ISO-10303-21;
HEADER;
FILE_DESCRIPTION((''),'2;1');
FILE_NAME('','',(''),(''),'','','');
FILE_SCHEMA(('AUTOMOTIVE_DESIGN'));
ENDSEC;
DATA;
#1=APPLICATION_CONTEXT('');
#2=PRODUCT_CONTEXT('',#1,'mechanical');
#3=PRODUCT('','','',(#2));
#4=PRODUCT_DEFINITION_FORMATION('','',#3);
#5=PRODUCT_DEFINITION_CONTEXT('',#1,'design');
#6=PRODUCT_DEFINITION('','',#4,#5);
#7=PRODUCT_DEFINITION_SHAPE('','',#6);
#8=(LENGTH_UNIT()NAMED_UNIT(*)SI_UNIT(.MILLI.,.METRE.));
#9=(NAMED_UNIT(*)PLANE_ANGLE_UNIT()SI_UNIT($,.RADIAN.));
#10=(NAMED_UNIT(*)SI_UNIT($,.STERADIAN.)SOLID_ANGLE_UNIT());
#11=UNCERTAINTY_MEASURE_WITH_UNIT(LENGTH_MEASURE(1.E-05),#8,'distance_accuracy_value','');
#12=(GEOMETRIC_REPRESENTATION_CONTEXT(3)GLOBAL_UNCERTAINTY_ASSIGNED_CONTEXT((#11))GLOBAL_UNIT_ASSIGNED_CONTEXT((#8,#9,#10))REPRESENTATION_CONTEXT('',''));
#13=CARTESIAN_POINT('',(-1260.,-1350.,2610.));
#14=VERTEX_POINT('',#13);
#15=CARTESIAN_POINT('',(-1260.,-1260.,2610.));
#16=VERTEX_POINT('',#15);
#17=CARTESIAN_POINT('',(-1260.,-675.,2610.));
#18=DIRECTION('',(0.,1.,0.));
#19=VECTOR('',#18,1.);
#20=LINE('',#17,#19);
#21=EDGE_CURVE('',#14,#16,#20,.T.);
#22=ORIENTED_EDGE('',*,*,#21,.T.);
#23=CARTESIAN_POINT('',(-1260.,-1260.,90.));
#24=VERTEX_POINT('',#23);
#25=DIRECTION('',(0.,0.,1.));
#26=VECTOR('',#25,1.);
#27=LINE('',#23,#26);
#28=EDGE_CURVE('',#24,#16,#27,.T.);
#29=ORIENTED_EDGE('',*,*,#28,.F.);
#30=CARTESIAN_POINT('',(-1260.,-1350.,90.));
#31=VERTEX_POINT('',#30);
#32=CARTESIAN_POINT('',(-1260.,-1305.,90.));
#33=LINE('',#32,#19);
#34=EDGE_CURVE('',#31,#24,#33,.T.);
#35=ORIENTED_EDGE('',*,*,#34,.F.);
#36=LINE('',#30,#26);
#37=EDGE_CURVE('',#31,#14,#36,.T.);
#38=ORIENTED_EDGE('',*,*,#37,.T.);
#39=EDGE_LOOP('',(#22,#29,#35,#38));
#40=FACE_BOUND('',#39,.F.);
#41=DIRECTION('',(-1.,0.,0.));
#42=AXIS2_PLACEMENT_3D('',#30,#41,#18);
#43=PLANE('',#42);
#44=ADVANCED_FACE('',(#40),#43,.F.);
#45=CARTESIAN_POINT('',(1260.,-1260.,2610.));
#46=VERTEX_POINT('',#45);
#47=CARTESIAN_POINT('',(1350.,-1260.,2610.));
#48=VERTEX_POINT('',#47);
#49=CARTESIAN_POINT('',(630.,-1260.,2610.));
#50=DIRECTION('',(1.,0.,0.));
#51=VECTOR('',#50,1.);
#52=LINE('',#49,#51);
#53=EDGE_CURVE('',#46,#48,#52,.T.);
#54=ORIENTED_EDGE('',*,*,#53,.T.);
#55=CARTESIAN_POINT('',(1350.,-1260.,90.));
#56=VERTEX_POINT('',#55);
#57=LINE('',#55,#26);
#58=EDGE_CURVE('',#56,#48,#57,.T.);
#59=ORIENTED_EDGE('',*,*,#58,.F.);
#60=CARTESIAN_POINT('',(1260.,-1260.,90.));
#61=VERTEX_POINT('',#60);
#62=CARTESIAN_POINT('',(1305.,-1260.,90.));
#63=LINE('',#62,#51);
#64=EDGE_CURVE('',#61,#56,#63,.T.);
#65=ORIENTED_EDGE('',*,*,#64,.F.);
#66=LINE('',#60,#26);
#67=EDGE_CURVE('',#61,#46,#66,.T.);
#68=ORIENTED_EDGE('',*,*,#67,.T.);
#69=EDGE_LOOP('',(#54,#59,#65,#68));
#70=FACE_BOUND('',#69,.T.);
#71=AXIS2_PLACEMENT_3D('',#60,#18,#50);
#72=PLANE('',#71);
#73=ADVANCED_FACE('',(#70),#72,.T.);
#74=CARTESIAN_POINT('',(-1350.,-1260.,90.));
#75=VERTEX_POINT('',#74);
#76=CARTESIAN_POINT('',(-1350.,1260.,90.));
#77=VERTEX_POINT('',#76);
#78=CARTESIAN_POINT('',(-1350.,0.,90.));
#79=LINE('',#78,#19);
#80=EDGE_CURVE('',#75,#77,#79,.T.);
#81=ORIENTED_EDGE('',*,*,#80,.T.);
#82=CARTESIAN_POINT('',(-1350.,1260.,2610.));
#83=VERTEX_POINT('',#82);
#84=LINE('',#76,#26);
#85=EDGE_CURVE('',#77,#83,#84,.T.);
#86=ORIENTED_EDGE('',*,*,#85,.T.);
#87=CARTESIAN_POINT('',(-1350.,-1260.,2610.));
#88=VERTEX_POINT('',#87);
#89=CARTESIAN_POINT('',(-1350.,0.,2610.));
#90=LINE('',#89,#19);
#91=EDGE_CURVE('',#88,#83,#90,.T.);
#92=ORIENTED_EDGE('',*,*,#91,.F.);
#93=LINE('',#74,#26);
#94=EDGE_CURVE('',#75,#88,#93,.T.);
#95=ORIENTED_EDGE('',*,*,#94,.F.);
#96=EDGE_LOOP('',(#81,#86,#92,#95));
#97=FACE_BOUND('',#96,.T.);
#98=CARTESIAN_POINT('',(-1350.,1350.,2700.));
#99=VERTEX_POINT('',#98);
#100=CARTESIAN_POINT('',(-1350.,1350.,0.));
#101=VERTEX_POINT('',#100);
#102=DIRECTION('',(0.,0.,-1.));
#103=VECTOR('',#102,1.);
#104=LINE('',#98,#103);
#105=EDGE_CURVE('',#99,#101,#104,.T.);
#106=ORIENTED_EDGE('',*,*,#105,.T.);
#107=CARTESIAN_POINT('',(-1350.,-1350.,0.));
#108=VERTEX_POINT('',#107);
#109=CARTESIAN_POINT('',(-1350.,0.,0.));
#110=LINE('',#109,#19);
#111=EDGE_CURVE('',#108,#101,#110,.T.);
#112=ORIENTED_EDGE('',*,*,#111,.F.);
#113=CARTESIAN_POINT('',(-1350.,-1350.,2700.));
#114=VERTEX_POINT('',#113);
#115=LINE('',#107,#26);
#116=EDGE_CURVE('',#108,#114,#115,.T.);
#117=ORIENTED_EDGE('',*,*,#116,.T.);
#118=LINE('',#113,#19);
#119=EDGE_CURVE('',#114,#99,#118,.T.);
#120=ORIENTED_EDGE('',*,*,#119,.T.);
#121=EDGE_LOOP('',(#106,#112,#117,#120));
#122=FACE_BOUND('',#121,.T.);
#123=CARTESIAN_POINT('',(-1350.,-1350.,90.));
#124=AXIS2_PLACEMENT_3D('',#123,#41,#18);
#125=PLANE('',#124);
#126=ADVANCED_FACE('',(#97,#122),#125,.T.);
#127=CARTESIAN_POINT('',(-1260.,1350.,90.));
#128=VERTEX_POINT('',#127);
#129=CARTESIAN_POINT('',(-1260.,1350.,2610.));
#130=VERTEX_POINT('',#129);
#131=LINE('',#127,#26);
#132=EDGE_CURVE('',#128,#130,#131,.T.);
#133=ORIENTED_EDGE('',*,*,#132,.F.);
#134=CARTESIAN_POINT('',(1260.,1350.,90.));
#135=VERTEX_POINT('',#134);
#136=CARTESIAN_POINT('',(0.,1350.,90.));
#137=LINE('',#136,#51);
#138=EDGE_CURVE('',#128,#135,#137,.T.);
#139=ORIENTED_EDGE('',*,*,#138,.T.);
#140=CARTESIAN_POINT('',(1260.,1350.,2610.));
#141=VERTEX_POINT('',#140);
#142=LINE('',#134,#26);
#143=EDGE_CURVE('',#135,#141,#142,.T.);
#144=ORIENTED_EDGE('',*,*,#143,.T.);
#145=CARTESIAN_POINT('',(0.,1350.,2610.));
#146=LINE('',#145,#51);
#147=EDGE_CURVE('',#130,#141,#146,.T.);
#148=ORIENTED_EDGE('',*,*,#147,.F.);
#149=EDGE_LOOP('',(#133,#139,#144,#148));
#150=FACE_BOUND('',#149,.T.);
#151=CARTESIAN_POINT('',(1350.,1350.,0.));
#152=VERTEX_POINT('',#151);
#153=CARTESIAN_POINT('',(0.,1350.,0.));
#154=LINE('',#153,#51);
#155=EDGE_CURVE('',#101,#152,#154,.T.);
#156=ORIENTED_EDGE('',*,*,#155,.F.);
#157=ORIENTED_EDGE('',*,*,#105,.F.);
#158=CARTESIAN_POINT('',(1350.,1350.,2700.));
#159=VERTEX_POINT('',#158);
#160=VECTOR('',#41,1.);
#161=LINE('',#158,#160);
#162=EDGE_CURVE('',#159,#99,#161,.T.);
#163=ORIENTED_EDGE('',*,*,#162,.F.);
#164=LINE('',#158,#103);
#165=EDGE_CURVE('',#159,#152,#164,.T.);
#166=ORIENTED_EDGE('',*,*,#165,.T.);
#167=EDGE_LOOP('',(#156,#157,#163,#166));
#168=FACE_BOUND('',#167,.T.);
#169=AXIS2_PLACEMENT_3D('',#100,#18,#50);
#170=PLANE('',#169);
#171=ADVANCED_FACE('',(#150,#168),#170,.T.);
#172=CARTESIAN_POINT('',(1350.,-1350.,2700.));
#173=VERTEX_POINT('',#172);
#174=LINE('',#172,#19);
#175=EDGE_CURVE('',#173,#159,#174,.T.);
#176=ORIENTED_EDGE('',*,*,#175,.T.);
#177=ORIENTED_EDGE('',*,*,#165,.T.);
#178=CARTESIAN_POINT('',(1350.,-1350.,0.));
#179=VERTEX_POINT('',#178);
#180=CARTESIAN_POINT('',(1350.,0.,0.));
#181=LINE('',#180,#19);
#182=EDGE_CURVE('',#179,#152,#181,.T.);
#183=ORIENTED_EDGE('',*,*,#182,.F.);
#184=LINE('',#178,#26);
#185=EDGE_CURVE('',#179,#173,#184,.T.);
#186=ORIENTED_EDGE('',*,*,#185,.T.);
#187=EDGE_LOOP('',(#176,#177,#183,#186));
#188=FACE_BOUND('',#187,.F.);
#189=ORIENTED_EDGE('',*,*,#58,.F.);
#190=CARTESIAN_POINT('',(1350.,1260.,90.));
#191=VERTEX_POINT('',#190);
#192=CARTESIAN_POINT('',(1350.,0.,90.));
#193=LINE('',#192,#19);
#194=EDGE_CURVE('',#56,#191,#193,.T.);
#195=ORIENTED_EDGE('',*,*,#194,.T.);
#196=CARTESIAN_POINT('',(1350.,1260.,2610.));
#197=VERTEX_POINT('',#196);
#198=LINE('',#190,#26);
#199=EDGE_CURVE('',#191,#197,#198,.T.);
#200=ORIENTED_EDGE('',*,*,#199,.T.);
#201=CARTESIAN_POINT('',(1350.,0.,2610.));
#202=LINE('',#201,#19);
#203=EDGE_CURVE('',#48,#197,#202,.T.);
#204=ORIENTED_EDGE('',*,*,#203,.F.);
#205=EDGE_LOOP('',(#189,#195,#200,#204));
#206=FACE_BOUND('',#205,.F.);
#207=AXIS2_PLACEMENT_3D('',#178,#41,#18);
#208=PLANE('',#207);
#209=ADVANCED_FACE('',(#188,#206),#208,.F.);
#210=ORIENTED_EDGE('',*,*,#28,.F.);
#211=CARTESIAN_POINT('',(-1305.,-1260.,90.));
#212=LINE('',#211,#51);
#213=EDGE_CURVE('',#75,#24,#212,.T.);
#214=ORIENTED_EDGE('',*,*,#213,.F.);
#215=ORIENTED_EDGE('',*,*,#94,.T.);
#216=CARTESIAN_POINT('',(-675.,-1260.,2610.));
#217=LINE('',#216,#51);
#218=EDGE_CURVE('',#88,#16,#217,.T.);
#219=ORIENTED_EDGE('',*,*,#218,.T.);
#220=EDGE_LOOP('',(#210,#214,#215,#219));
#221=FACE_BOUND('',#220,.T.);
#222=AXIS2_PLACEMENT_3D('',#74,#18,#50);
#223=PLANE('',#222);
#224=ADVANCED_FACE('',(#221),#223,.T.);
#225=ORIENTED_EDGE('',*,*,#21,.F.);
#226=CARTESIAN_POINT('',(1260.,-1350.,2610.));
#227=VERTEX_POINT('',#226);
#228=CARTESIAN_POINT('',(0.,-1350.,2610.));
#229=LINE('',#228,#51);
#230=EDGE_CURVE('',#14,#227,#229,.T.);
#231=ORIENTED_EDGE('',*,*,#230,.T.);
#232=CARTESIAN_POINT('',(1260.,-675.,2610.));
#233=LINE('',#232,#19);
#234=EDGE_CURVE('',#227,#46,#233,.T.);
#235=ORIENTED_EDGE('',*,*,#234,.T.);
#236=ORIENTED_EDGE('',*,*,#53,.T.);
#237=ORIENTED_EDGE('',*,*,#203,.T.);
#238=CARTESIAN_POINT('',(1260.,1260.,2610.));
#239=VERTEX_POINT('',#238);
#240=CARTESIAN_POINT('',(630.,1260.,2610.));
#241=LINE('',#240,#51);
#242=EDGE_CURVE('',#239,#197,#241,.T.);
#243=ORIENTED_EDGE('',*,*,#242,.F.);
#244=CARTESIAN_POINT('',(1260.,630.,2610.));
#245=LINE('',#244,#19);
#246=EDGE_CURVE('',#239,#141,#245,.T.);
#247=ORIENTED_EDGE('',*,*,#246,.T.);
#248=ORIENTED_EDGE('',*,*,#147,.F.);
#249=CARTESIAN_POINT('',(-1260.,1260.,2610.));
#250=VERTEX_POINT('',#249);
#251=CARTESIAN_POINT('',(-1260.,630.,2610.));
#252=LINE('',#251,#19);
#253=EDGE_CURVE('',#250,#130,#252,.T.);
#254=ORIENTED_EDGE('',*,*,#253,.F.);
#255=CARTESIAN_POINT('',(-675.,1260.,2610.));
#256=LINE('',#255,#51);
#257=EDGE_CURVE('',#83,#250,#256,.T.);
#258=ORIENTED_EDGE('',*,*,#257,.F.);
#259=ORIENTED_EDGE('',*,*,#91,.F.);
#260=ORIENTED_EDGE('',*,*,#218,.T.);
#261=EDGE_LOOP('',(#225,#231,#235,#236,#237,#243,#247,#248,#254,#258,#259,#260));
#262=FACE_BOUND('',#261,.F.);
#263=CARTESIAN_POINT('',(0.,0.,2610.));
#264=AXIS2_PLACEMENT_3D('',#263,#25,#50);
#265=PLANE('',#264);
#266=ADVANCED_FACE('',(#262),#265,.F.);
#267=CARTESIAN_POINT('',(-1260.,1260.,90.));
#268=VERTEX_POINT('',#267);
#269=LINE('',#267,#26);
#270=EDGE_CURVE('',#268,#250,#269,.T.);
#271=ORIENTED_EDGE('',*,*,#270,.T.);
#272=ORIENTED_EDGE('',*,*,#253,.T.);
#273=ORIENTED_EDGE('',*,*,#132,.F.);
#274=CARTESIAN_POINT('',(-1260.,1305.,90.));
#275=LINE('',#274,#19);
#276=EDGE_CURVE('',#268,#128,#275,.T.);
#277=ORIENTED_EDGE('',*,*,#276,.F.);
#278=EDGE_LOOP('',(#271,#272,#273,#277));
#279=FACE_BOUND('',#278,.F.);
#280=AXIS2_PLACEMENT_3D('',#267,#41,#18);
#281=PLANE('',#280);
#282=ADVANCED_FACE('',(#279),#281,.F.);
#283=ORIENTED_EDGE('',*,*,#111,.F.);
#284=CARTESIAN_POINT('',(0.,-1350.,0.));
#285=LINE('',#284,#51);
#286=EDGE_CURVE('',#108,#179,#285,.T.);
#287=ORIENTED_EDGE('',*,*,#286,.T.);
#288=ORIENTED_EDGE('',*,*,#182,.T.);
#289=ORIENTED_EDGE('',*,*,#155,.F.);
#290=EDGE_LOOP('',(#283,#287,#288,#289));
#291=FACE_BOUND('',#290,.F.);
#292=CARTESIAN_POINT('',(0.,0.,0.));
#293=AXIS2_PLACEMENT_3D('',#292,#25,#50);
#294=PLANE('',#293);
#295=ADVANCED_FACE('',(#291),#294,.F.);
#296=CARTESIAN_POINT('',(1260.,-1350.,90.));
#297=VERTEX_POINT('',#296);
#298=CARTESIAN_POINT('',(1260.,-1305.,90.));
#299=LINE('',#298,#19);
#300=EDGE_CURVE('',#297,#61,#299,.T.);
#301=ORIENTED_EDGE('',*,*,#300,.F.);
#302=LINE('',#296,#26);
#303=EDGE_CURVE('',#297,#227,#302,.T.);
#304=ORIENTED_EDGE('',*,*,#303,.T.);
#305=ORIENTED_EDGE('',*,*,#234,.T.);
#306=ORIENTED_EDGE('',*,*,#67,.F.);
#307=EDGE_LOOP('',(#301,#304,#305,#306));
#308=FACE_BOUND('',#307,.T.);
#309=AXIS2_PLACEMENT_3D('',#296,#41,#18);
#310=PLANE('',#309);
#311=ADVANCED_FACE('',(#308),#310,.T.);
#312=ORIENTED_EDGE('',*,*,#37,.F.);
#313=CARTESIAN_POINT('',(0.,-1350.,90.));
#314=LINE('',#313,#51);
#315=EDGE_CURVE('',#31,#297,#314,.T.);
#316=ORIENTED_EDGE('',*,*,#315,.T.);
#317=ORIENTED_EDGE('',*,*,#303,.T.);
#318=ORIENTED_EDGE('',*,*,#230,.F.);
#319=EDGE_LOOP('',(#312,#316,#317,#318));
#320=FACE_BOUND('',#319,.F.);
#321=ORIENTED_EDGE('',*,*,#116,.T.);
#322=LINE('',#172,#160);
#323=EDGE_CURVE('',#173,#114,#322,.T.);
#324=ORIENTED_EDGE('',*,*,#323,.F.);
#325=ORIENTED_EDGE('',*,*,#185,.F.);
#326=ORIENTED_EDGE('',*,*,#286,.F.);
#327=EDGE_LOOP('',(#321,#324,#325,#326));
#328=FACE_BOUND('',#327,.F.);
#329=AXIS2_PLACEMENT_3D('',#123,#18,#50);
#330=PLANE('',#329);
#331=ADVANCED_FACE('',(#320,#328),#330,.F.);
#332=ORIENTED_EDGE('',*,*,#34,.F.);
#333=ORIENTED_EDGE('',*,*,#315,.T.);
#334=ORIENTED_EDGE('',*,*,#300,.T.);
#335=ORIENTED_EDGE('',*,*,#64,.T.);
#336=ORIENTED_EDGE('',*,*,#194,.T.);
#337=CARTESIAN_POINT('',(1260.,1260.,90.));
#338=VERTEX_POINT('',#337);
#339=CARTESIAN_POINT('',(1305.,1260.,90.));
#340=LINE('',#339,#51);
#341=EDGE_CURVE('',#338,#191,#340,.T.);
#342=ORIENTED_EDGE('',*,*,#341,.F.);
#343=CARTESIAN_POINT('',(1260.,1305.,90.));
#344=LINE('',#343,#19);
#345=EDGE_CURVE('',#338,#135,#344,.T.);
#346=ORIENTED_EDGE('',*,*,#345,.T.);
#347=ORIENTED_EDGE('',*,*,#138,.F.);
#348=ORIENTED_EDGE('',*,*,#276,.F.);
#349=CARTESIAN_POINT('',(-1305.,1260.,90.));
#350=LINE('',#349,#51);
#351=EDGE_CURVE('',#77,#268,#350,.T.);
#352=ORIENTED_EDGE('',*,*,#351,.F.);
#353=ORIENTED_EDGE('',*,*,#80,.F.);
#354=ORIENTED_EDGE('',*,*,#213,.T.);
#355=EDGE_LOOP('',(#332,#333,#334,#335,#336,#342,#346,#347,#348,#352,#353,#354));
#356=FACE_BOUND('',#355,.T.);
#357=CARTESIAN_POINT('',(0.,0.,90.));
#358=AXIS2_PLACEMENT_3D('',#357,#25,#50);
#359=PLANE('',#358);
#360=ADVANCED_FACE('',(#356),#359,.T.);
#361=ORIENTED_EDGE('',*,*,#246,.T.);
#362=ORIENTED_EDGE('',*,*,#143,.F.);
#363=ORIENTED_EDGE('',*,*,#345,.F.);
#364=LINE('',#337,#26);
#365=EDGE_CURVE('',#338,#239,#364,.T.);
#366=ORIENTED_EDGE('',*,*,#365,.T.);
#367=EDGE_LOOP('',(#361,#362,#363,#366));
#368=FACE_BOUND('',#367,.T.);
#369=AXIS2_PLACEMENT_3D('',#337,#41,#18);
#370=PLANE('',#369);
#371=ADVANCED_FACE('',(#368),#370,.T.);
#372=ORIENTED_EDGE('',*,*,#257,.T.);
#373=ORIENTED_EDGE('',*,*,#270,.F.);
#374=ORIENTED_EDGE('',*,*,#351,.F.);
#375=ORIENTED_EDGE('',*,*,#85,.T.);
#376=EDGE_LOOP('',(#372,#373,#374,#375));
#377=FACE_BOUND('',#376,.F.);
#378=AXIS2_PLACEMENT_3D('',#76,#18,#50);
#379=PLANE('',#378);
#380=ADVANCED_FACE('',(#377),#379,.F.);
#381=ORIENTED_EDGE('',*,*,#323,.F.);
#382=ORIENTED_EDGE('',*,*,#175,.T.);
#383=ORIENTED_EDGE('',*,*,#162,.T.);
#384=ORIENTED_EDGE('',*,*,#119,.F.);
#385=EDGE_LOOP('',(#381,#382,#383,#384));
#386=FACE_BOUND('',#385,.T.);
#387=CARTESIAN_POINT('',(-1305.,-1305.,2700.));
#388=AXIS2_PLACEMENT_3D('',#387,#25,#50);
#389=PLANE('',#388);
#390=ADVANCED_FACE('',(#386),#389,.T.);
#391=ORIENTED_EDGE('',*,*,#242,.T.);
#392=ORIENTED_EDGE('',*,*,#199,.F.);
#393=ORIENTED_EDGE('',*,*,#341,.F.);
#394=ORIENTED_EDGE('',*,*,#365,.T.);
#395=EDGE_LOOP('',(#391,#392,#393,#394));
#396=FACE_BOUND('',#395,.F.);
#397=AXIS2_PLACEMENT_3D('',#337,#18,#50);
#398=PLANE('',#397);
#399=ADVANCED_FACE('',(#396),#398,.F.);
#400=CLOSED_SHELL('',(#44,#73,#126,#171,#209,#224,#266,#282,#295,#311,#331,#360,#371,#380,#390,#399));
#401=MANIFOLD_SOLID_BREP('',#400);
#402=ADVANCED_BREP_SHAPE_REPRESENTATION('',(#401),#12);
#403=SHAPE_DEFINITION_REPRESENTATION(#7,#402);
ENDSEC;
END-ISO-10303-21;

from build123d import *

# Parameters (mm, degrees)
F0_W     = 2700
F0_H     = 2700
F1_DEPTH = 90
F2_W     = 90
F2_H     = 90
F3_DEPTH = 2610
F4_W     = 2700
F4_H     = 2700
F5_DEPTH = 90


with BuildPart() as f1:
    # F0 (on Top) → F1 (new body)
    with BuildSketch(Plane.XY):
        Rectangle(F0_W, F0_H)
    extrude(amount=F1_DEPTH)

    # F2 (on face) → F3 (join)
    with BuildSketch(Plane.XY.offset(90)):
        with Locations((-1305, -1305)):
            Rectangle(F2_W, F2_H)
        with Locations((1305, -1305)):
            Rectangle(F2_W, F2_H)
        with Locations((1305, 1305)):
            Rectangle(F2_W, F2_H)
        with Locations((-1305, 1305)):
            Rectangle(F2_W, F2_H)
    extrude(amount=F3_DEPTH)

    # F4 (on face) → F5 (join)
    with BuildSketch(Plane.XY.offset(2700)):
        Rectangle(F4_W, F4_H)
    extrude(amount=-F5_DEPTH)


solid = f1.part
